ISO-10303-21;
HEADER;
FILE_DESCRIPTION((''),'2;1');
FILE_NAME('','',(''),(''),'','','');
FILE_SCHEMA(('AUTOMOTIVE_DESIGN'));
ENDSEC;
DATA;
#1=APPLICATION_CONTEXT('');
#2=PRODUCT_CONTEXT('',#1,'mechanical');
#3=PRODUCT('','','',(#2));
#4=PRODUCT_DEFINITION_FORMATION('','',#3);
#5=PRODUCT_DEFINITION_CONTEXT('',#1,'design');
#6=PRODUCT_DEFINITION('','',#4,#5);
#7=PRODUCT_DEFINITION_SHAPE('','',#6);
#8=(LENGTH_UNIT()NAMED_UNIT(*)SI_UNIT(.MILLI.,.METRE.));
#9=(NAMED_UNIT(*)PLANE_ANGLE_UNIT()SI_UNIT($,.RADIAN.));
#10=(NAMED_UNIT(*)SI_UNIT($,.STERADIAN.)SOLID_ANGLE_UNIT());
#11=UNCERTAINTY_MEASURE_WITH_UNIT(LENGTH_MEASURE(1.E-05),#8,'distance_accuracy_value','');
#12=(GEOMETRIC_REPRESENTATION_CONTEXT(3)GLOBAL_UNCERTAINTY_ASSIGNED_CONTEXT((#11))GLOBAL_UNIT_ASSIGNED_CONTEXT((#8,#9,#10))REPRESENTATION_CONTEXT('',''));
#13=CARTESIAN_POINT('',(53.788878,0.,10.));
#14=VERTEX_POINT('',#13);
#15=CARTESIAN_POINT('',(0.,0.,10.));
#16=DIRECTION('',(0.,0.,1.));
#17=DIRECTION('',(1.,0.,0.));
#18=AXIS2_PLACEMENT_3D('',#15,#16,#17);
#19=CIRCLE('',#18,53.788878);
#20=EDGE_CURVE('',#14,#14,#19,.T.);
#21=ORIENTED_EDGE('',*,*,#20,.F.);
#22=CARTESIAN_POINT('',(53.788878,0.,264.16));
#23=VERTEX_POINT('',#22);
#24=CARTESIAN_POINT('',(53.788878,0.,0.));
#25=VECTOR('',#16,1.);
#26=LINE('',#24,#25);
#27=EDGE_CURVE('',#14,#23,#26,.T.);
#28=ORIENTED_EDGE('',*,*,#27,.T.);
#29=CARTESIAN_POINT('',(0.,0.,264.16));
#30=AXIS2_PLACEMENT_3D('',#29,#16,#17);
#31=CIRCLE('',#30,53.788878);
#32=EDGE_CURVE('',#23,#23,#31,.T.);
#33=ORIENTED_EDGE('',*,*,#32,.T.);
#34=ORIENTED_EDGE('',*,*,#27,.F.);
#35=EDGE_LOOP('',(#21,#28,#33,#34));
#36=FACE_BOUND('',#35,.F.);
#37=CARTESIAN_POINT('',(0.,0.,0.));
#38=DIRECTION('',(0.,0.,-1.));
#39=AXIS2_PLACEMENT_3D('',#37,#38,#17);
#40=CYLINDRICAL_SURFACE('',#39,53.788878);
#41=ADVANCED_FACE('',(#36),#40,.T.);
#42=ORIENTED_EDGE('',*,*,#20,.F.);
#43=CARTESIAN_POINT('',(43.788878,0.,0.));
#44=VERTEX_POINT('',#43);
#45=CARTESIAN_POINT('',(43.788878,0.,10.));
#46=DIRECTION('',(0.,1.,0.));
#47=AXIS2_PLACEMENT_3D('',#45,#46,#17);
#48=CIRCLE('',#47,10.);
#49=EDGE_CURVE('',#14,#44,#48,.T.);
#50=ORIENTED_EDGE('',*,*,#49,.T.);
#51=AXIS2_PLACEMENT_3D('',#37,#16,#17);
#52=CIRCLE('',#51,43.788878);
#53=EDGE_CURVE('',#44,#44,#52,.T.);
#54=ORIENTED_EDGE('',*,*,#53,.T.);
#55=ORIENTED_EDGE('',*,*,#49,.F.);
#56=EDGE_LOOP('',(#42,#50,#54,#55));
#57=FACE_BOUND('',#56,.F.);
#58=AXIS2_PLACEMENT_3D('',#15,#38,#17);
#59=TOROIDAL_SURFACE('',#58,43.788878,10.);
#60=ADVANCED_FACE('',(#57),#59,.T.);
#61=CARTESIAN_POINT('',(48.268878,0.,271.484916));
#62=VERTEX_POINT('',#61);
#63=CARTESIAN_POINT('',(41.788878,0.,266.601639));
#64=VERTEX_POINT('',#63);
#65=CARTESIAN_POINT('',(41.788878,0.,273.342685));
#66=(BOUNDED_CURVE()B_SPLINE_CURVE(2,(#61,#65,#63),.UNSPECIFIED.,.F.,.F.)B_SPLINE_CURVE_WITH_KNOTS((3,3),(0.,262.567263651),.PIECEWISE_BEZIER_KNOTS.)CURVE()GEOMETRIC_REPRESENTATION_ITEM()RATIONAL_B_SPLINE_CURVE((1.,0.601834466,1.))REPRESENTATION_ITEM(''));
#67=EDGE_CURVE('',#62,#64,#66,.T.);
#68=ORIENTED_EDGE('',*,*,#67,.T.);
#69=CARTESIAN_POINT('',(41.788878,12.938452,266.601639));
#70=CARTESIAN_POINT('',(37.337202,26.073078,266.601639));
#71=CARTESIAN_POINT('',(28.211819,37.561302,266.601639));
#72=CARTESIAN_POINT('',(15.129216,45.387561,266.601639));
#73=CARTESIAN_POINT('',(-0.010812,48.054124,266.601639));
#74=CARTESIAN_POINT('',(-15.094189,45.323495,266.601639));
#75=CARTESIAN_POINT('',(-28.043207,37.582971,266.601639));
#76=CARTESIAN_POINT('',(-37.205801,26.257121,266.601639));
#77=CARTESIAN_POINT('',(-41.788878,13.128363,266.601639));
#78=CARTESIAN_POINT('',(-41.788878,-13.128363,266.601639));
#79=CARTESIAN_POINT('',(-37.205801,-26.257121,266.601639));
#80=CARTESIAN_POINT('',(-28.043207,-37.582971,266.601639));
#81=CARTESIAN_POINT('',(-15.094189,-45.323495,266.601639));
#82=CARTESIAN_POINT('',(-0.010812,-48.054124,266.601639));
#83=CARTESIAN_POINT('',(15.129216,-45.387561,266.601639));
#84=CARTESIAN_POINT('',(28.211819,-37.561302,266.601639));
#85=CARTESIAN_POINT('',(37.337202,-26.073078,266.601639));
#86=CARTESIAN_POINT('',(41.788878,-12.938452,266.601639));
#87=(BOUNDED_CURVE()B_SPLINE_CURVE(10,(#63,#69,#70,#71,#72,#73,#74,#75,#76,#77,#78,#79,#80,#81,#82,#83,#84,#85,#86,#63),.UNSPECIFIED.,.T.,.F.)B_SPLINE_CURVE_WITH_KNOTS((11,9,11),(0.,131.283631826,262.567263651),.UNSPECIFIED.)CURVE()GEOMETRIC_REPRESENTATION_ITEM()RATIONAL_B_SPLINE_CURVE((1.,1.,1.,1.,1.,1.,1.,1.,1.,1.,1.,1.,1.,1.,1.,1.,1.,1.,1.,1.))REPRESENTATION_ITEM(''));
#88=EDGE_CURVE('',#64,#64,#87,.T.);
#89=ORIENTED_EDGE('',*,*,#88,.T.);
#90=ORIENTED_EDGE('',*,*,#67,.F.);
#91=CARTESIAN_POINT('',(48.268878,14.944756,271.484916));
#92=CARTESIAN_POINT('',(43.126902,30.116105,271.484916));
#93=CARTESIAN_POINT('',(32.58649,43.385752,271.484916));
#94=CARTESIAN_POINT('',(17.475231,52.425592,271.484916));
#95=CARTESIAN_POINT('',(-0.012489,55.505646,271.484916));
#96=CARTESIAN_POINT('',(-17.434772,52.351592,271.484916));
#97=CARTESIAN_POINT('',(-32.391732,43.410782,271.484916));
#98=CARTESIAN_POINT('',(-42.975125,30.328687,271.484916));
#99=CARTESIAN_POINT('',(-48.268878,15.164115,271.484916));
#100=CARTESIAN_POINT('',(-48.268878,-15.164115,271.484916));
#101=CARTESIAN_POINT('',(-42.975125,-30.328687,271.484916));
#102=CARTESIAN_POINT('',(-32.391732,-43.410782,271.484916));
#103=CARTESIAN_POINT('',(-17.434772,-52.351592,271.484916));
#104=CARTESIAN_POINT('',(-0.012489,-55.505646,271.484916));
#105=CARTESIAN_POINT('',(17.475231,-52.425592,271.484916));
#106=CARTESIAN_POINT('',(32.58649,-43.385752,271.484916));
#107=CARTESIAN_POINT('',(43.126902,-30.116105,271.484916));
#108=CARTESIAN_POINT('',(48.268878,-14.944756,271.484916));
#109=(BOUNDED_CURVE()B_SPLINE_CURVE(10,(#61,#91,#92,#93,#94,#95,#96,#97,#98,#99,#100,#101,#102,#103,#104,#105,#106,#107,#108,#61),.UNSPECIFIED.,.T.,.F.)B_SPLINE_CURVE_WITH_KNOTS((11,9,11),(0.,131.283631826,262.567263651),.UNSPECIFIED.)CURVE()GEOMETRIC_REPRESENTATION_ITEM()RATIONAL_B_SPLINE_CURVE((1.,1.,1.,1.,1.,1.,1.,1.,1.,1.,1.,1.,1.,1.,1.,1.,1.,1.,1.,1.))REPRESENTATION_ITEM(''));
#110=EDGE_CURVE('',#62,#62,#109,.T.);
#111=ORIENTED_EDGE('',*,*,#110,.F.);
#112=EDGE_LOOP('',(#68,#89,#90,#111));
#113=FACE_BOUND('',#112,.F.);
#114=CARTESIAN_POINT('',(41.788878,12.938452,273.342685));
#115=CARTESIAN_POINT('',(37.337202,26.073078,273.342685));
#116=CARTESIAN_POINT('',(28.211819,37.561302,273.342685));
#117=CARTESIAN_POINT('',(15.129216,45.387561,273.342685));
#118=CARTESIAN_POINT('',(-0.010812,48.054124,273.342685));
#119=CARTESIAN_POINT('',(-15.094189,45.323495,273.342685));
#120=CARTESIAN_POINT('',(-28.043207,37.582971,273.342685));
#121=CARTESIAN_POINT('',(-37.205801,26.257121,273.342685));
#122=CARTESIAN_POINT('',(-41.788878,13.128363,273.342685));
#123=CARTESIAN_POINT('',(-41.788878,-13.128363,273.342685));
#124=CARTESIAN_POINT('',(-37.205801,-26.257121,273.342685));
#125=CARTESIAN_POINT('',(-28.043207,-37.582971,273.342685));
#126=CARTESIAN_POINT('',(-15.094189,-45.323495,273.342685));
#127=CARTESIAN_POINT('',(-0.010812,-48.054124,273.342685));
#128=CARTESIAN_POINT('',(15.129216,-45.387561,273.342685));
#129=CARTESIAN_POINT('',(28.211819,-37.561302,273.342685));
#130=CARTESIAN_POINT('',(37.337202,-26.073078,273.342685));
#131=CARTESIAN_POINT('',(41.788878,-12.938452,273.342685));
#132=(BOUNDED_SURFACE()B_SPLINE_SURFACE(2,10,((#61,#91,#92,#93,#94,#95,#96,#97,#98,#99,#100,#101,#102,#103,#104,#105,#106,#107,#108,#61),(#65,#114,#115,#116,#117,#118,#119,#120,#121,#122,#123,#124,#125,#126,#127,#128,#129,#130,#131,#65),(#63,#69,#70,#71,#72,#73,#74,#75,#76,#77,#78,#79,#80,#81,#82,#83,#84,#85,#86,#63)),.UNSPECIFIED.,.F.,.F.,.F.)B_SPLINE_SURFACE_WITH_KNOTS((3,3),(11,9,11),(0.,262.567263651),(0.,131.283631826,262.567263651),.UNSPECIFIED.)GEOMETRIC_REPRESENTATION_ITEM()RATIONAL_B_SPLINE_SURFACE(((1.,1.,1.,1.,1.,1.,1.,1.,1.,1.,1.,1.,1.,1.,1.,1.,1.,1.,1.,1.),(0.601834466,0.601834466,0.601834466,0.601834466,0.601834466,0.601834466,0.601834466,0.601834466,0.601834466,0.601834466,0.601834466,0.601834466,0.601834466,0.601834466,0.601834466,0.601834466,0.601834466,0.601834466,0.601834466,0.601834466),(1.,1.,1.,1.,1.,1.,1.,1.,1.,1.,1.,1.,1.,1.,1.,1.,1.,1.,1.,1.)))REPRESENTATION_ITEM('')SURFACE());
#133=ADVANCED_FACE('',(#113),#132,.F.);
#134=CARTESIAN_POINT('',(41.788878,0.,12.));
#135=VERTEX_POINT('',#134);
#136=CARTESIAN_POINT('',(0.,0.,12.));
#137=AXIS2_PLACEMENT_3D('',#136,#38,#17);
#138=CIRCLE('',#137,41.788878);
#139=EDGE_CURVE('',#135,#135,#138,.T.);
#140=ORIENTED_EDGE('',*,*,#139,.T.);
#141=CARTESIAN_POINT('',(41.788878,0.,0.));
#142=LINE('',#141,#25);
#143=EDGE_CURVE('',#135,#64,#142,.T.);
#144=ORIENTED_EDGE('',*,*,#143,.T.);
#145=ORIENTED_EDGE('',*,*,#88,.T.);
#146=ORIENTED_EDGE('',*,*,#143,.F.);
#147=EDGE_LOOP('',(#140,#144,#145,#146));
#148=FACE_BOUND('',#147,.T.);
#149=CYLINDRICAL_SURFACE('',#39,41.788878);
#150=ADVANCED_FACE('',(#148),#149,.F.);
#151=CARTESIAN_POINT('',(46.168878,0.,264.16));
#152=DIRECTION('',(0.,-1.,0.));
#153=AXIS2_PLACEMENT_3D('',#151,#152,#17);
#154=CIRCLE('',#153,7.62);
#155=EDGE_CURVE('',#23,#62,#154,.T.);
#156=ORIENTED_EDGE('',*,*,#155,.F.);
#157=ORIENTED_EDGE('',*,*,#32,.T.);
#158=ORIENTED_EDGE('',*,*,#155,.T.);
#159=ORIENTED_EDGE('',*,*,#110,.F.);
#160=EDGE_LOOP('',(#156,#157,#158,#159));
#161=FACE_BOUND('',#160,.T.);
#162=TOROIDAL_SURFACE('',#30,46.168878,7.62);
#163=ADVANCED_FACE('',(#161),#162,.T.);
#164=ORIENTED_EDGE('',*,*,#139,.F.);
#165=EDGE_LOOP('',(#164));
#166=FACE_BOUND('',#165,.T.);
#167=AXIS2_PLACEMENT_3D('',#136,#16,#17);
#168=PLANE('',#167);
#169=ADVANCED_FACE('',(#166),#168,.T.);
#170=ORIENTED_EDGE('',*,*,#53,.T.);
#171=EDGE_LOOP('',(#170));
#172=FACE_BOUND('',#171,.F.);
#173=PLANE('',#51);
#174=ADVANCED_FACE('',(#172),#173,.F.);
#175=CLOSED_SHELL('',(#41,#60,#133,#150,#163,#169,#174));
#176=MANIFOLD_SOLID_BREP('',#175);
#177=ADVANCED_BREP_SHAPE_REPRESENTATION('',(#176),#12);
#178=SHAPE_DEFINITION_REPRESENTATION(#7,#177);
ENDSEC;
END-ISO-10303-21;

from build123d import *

# Parameters (mm, degrees)
F0_R     = 53.7888779042
F1_DEPTH = 271.78
F2_T     = -12
F3_R     = 7.62
F4_R     = 5.08
F5_R     = 10


with BuildPart() as f1:
    # F0 (on Top) → F1 (new body)
    with BuildSketch(Plane.XY):
        Circle(F0_R)
    extrude(amount=F1_DEPTH)

    # F2
    f2_openings = [f1.faces().sort_by_distance(p)[0] for p in [
        (0, 0, 271.78),
    ]]
    offset(amount=F2_T, openings=f2_openings)

    # F3
    f3_edges = [f1.edges().sort_by_distance(p)[0] for p in [
        (-53.788878, 0, 271.78),
    ]]
    fillet(f3_edges, radius=F3_R)

    # F4
    f4_edges = [f1.edges().sort_by_distance(p)[0] for p in [
        (-41.788878, 0, 271.78),
    ]]
    fillet(f4_edges, radius=F4_R)

    # F5
    f5_edges = [f1.edges().sort_by_distance(p)[0] for p in [
        (-53.788878, 0, 0),
        (53.788878, 0, 132.08),
        (-53.788878, 0, 264.16),
    ]]
    fillet(f5_edges, radius=F5_R)


solid = f1.part
